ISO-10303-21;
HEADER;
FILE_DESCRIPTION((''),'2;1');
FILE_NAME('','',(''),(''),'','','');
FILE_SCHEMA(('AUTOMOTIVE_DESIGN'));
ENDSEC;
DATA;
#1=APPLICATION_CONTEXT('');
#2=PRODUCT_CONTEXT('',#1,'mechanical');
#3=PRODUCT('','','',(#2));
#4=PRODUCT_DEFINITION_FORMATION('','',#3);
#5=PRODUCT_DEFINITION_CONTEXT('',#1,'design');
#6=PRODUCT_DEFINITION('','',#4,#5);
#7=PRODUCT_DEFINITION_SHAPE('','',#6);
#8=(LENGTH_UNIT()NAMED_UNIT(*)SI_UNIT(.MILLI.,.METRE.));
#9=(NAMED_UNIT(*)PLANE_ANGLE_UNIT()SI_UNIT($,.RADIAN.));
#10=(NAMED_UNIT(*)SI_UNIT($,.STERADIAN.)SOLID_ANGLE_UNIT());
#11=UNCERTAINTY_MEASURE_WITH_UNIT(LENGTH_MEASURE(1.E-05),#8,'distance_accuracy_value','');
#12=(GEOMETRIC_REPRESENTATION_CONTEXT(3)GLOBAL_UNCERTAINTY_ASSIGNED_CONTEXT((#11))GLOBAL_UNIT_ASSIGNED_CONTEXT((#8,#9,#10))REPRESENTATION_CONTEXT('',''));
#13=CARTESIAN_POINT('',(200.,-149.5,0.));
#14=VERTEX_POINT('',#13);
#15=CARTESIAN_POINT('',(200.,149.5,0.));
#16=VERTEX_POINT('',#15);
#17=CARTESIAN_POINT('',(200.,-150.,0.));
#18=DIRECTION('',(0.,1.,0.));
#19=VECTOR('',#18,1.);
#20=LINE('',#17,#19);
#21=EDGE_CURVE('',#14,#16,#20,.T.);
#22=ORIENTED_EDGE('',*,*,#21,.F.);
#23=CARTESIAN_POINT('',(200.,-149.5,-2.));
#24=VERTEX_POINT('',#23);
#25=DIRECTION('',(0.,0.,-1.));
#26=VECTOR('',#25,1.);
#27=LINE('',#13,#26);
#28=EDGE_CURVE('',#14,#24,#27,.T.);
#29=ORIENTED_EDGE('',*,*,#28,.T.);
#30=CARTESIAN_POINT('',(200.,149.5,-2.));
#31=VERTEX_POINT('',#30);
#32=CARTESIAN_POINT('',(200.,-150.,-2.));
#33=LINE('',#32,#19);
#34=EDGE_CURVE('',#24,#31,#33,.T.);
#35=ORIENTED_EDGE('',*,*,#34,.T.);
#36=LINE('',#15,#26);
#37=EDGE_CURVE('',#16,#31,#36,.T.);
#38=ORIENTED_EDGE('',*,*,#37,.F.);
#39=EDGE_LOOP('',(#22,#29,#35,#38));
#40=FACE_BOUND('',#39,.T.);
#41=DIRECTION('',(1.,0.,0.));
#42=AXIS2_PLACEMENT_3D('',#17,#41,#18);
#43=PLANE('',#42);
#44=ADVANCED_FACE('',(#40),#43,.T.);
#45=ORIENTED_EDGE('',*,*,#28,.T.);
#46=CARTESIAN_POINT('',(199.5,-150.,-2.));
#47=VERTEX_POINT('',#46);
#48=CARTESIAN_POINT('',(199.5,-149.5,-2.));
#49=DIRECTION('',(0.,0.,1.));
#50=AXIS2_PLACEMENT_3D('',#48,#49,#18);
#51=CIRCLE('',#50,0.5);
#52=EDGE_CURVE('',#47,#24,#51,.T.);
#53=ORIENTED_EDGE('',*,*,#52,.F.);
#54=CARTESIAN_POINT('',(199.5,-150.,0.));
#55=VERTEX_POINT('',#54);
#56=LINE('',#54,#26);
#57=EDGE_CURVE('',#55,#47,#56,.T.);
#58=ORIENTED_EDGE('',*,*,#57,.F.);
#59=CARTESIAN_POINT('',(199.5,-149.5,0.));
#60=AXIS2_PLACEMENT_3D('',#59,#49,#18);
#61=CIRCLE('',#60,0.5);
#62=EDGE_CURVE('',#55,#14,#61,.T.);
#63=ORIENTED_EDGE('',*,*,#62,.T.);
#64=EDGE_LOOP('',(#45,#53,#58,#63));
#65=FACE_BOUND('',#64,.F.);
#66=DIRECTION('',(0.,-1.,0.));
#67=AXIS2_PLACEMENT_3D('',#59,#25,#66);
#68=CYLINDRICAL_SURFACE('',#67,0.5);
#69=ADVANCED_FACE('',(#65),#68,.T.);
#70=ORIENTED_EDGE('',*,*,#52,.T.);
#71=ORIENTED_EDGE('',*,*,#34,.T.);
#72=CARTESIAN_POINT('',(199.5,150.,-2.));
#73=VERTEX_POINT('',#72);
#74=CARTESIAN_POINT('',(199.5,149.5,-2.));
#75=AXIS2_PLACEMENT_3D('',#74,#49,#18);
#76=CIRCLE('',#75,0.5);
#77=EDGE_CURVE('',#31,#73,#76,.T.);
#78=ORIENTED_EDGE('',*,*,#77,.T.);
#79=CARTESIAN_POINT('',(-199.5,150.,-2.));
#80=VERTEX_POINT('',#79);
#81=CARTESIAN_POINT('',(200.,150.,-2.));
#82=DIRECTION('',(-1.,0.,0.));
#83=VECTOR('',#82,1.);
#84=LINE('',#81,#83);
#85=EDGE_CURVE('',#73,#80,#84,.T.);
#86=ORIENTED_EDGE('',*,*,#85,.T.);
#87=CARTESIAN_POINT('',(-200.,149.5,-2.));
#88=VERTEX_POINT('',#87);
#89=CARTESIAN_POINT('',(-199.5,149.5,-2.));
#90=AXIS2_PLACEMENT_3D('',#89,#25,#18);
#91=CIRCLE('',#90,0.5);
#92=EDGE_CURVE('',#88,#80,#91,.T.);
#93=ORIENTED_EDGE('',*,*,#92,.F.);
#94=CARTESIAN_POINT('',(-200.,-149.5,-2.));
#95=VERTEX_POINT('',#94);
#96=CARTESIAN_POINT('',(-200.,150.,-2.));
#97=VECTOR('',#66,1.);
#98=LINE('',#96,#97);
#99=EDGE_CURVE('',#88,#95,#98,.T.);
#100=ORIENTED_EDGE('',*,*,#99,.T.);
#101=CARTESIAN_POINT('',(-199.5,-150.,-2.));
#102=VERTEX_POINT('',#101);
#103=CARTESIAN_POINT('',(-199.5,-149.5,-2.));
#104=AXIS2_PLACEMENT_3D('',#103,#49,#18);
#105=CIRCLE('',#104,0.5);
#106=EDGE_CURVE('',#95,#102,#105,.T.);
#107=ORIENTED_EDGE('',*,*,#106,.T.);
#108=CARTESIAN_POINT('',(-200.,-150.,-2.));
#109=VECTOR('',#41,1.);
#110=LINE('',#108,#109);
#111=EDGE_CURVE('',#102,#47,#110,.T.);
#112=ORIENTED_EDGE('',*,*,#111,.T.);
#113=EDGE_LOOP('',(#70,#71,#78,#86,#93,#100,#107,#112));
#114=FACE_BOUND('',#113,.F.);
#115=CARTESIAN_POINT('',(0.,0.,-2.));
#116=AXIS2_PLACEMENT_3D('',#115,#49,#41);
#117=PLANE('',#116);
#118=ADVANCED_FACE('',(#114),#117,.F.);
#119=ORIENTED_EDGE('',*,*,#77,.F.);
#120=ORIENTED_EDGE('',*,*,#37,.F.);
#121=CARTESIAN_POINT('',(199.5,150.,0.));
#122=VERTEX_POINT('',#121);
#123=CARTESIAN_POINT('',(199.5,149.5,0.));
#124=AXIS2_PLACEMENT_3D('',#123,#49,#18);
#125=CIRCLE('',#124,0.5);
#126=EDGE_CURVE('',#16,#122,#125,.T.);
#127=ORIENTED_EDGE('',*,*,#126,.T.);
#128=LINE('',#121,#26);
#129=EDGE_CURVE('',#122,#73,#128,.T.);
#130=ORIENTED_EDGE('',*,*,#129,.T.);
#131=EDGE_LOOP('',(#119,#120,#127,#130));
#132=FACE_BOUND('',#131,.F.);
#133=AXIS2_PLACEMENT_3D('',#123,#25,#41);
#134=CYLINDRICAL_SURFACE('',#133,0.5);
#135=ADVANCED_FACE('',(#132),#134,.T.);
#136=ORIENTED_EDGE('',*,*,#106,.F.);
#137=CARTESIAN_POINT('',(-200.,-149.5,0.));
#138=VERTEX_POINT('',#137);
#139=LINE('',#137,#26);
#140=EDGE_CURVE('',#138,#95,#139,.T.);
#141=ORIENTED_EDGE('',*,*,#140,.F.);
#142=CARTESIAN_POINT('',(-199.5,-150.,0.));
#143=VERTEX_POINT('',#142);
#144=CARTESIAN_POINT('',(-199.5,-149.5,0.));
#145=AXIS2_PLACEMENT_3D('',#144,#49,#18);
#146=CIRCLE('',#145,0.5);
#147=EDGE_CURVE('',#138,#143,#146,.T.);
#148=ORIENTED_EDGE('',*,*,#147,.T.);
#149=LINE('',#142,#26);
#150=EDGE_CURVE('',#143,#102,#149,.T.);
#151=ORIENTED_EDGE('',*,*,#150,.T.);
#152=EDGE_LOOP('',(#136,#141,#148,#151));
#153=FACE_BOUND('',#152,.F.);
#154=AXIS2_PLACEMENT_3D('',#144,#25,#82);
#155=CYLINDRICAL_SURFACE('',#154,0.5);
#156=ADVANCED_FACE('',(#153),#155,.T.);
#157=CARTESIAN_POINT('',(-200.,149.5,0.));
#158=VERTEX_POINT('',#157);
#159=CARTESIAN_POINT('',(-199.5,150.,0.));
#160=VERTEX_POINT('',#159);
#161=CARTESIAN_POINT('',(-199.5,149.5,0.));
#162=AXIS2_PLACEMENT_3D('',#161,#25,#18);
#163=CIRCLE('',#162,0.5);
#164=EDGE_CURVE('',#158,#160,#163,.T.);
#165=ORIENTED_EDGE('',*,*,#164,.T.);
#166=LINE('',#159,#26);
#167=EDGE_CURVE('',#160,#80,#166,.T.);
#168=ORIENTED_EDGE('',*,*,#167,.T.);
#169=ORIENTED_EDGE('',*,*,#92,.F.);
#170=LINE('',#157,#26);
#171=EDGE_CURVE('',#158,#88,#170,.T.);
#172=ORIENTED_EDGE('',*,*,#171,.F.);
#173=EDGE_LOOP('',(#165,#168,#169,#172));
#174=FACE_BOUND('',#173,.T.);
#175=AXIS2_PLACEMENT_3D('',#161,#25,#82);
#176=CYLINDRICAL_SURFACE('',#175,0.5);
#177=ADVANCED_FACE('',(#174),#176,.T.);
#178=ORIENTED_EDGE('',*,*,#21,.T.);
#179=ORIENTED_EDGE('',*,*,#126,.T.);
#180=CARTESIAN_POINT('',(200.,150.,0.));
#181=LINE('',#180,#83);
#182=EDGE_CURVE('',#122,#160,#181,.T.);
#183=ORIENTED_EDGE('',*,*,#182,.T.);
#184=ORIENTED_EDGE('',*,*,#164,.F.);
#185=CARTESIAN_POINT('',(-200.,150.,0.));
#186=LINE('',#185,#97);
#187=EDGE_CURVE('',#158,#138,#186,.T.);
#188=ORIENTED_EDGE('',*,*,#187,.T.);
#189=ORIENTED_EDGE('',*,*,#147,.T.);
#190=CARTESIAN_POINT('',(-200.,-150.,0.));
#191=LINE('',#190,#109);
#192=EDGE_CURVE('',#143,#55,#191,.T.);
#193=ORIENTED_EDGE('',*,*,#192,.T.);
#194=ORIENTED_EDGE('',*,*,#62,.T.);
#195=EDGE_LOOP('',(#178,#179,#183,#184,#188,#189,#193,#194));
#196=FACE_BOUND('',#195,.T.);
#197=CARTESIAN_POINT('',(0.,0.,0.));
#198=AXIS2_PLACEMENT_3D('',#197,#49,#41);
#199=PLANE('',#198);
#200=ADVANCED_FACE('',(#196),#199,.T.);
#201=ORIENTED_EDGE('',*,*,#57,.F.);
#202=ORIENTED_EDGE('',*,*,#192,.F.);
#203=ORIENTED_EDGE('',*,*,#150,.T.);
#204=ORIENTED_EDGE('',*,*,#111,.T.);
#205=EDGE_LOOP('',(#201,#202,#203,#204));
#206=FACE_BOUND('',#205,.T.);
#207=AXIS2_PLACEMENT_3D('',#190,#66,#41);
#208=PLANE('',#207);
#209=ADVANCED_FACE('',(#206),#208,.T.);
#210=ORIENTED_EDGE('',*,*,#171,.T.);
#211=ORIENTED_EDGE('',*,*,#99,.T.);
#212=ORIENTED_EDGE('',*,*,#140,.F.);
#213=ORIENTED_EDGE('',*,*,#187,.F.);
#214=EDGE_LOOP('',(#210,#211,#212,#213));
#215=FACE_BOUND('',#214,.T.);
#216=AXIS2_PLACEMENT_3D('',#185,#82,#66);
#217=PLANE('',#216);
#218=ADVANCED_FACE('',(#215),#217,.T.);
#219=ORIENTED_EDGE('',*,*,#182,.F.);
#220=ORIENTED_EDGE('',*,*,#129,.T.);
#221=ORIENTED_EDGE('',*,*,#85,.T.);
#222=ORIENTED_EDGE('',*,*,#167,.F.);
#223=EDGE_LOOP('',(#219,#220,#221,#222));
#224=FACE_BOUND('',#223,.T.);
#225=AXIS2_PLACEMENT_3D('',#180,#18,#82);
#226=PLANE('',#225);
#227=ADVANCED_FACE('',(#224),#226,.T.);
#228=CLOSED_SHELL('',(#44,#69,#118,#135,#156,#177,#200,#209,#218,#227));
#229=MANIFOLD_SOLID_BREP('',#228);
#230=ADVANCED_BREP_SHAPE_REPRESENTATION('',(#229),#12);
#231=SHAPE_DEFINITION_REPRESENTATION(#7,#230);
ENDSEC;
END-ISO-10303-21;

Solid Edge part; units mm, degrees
sketch "Sketch1" plane through (0, 0, 0) normal (0, 0, 1) x (1, 0, 0)
  line L0 (-200, 150) -> (-200, -150)
  line L1 (-200, -150) -> (200, -150)
  line L2 (200, -150) -> (200, 150)
  line L3 (200, 150) -> (-200, 150)
extrude "Protrusion1" add sketch "Sketch1" against normal blind 2
fillet "Redondo_1" radius 0.5 4 edges at (200, 150, -1) (200, -150, -1) (-200, -150, -1) (-200, 150, -1)
